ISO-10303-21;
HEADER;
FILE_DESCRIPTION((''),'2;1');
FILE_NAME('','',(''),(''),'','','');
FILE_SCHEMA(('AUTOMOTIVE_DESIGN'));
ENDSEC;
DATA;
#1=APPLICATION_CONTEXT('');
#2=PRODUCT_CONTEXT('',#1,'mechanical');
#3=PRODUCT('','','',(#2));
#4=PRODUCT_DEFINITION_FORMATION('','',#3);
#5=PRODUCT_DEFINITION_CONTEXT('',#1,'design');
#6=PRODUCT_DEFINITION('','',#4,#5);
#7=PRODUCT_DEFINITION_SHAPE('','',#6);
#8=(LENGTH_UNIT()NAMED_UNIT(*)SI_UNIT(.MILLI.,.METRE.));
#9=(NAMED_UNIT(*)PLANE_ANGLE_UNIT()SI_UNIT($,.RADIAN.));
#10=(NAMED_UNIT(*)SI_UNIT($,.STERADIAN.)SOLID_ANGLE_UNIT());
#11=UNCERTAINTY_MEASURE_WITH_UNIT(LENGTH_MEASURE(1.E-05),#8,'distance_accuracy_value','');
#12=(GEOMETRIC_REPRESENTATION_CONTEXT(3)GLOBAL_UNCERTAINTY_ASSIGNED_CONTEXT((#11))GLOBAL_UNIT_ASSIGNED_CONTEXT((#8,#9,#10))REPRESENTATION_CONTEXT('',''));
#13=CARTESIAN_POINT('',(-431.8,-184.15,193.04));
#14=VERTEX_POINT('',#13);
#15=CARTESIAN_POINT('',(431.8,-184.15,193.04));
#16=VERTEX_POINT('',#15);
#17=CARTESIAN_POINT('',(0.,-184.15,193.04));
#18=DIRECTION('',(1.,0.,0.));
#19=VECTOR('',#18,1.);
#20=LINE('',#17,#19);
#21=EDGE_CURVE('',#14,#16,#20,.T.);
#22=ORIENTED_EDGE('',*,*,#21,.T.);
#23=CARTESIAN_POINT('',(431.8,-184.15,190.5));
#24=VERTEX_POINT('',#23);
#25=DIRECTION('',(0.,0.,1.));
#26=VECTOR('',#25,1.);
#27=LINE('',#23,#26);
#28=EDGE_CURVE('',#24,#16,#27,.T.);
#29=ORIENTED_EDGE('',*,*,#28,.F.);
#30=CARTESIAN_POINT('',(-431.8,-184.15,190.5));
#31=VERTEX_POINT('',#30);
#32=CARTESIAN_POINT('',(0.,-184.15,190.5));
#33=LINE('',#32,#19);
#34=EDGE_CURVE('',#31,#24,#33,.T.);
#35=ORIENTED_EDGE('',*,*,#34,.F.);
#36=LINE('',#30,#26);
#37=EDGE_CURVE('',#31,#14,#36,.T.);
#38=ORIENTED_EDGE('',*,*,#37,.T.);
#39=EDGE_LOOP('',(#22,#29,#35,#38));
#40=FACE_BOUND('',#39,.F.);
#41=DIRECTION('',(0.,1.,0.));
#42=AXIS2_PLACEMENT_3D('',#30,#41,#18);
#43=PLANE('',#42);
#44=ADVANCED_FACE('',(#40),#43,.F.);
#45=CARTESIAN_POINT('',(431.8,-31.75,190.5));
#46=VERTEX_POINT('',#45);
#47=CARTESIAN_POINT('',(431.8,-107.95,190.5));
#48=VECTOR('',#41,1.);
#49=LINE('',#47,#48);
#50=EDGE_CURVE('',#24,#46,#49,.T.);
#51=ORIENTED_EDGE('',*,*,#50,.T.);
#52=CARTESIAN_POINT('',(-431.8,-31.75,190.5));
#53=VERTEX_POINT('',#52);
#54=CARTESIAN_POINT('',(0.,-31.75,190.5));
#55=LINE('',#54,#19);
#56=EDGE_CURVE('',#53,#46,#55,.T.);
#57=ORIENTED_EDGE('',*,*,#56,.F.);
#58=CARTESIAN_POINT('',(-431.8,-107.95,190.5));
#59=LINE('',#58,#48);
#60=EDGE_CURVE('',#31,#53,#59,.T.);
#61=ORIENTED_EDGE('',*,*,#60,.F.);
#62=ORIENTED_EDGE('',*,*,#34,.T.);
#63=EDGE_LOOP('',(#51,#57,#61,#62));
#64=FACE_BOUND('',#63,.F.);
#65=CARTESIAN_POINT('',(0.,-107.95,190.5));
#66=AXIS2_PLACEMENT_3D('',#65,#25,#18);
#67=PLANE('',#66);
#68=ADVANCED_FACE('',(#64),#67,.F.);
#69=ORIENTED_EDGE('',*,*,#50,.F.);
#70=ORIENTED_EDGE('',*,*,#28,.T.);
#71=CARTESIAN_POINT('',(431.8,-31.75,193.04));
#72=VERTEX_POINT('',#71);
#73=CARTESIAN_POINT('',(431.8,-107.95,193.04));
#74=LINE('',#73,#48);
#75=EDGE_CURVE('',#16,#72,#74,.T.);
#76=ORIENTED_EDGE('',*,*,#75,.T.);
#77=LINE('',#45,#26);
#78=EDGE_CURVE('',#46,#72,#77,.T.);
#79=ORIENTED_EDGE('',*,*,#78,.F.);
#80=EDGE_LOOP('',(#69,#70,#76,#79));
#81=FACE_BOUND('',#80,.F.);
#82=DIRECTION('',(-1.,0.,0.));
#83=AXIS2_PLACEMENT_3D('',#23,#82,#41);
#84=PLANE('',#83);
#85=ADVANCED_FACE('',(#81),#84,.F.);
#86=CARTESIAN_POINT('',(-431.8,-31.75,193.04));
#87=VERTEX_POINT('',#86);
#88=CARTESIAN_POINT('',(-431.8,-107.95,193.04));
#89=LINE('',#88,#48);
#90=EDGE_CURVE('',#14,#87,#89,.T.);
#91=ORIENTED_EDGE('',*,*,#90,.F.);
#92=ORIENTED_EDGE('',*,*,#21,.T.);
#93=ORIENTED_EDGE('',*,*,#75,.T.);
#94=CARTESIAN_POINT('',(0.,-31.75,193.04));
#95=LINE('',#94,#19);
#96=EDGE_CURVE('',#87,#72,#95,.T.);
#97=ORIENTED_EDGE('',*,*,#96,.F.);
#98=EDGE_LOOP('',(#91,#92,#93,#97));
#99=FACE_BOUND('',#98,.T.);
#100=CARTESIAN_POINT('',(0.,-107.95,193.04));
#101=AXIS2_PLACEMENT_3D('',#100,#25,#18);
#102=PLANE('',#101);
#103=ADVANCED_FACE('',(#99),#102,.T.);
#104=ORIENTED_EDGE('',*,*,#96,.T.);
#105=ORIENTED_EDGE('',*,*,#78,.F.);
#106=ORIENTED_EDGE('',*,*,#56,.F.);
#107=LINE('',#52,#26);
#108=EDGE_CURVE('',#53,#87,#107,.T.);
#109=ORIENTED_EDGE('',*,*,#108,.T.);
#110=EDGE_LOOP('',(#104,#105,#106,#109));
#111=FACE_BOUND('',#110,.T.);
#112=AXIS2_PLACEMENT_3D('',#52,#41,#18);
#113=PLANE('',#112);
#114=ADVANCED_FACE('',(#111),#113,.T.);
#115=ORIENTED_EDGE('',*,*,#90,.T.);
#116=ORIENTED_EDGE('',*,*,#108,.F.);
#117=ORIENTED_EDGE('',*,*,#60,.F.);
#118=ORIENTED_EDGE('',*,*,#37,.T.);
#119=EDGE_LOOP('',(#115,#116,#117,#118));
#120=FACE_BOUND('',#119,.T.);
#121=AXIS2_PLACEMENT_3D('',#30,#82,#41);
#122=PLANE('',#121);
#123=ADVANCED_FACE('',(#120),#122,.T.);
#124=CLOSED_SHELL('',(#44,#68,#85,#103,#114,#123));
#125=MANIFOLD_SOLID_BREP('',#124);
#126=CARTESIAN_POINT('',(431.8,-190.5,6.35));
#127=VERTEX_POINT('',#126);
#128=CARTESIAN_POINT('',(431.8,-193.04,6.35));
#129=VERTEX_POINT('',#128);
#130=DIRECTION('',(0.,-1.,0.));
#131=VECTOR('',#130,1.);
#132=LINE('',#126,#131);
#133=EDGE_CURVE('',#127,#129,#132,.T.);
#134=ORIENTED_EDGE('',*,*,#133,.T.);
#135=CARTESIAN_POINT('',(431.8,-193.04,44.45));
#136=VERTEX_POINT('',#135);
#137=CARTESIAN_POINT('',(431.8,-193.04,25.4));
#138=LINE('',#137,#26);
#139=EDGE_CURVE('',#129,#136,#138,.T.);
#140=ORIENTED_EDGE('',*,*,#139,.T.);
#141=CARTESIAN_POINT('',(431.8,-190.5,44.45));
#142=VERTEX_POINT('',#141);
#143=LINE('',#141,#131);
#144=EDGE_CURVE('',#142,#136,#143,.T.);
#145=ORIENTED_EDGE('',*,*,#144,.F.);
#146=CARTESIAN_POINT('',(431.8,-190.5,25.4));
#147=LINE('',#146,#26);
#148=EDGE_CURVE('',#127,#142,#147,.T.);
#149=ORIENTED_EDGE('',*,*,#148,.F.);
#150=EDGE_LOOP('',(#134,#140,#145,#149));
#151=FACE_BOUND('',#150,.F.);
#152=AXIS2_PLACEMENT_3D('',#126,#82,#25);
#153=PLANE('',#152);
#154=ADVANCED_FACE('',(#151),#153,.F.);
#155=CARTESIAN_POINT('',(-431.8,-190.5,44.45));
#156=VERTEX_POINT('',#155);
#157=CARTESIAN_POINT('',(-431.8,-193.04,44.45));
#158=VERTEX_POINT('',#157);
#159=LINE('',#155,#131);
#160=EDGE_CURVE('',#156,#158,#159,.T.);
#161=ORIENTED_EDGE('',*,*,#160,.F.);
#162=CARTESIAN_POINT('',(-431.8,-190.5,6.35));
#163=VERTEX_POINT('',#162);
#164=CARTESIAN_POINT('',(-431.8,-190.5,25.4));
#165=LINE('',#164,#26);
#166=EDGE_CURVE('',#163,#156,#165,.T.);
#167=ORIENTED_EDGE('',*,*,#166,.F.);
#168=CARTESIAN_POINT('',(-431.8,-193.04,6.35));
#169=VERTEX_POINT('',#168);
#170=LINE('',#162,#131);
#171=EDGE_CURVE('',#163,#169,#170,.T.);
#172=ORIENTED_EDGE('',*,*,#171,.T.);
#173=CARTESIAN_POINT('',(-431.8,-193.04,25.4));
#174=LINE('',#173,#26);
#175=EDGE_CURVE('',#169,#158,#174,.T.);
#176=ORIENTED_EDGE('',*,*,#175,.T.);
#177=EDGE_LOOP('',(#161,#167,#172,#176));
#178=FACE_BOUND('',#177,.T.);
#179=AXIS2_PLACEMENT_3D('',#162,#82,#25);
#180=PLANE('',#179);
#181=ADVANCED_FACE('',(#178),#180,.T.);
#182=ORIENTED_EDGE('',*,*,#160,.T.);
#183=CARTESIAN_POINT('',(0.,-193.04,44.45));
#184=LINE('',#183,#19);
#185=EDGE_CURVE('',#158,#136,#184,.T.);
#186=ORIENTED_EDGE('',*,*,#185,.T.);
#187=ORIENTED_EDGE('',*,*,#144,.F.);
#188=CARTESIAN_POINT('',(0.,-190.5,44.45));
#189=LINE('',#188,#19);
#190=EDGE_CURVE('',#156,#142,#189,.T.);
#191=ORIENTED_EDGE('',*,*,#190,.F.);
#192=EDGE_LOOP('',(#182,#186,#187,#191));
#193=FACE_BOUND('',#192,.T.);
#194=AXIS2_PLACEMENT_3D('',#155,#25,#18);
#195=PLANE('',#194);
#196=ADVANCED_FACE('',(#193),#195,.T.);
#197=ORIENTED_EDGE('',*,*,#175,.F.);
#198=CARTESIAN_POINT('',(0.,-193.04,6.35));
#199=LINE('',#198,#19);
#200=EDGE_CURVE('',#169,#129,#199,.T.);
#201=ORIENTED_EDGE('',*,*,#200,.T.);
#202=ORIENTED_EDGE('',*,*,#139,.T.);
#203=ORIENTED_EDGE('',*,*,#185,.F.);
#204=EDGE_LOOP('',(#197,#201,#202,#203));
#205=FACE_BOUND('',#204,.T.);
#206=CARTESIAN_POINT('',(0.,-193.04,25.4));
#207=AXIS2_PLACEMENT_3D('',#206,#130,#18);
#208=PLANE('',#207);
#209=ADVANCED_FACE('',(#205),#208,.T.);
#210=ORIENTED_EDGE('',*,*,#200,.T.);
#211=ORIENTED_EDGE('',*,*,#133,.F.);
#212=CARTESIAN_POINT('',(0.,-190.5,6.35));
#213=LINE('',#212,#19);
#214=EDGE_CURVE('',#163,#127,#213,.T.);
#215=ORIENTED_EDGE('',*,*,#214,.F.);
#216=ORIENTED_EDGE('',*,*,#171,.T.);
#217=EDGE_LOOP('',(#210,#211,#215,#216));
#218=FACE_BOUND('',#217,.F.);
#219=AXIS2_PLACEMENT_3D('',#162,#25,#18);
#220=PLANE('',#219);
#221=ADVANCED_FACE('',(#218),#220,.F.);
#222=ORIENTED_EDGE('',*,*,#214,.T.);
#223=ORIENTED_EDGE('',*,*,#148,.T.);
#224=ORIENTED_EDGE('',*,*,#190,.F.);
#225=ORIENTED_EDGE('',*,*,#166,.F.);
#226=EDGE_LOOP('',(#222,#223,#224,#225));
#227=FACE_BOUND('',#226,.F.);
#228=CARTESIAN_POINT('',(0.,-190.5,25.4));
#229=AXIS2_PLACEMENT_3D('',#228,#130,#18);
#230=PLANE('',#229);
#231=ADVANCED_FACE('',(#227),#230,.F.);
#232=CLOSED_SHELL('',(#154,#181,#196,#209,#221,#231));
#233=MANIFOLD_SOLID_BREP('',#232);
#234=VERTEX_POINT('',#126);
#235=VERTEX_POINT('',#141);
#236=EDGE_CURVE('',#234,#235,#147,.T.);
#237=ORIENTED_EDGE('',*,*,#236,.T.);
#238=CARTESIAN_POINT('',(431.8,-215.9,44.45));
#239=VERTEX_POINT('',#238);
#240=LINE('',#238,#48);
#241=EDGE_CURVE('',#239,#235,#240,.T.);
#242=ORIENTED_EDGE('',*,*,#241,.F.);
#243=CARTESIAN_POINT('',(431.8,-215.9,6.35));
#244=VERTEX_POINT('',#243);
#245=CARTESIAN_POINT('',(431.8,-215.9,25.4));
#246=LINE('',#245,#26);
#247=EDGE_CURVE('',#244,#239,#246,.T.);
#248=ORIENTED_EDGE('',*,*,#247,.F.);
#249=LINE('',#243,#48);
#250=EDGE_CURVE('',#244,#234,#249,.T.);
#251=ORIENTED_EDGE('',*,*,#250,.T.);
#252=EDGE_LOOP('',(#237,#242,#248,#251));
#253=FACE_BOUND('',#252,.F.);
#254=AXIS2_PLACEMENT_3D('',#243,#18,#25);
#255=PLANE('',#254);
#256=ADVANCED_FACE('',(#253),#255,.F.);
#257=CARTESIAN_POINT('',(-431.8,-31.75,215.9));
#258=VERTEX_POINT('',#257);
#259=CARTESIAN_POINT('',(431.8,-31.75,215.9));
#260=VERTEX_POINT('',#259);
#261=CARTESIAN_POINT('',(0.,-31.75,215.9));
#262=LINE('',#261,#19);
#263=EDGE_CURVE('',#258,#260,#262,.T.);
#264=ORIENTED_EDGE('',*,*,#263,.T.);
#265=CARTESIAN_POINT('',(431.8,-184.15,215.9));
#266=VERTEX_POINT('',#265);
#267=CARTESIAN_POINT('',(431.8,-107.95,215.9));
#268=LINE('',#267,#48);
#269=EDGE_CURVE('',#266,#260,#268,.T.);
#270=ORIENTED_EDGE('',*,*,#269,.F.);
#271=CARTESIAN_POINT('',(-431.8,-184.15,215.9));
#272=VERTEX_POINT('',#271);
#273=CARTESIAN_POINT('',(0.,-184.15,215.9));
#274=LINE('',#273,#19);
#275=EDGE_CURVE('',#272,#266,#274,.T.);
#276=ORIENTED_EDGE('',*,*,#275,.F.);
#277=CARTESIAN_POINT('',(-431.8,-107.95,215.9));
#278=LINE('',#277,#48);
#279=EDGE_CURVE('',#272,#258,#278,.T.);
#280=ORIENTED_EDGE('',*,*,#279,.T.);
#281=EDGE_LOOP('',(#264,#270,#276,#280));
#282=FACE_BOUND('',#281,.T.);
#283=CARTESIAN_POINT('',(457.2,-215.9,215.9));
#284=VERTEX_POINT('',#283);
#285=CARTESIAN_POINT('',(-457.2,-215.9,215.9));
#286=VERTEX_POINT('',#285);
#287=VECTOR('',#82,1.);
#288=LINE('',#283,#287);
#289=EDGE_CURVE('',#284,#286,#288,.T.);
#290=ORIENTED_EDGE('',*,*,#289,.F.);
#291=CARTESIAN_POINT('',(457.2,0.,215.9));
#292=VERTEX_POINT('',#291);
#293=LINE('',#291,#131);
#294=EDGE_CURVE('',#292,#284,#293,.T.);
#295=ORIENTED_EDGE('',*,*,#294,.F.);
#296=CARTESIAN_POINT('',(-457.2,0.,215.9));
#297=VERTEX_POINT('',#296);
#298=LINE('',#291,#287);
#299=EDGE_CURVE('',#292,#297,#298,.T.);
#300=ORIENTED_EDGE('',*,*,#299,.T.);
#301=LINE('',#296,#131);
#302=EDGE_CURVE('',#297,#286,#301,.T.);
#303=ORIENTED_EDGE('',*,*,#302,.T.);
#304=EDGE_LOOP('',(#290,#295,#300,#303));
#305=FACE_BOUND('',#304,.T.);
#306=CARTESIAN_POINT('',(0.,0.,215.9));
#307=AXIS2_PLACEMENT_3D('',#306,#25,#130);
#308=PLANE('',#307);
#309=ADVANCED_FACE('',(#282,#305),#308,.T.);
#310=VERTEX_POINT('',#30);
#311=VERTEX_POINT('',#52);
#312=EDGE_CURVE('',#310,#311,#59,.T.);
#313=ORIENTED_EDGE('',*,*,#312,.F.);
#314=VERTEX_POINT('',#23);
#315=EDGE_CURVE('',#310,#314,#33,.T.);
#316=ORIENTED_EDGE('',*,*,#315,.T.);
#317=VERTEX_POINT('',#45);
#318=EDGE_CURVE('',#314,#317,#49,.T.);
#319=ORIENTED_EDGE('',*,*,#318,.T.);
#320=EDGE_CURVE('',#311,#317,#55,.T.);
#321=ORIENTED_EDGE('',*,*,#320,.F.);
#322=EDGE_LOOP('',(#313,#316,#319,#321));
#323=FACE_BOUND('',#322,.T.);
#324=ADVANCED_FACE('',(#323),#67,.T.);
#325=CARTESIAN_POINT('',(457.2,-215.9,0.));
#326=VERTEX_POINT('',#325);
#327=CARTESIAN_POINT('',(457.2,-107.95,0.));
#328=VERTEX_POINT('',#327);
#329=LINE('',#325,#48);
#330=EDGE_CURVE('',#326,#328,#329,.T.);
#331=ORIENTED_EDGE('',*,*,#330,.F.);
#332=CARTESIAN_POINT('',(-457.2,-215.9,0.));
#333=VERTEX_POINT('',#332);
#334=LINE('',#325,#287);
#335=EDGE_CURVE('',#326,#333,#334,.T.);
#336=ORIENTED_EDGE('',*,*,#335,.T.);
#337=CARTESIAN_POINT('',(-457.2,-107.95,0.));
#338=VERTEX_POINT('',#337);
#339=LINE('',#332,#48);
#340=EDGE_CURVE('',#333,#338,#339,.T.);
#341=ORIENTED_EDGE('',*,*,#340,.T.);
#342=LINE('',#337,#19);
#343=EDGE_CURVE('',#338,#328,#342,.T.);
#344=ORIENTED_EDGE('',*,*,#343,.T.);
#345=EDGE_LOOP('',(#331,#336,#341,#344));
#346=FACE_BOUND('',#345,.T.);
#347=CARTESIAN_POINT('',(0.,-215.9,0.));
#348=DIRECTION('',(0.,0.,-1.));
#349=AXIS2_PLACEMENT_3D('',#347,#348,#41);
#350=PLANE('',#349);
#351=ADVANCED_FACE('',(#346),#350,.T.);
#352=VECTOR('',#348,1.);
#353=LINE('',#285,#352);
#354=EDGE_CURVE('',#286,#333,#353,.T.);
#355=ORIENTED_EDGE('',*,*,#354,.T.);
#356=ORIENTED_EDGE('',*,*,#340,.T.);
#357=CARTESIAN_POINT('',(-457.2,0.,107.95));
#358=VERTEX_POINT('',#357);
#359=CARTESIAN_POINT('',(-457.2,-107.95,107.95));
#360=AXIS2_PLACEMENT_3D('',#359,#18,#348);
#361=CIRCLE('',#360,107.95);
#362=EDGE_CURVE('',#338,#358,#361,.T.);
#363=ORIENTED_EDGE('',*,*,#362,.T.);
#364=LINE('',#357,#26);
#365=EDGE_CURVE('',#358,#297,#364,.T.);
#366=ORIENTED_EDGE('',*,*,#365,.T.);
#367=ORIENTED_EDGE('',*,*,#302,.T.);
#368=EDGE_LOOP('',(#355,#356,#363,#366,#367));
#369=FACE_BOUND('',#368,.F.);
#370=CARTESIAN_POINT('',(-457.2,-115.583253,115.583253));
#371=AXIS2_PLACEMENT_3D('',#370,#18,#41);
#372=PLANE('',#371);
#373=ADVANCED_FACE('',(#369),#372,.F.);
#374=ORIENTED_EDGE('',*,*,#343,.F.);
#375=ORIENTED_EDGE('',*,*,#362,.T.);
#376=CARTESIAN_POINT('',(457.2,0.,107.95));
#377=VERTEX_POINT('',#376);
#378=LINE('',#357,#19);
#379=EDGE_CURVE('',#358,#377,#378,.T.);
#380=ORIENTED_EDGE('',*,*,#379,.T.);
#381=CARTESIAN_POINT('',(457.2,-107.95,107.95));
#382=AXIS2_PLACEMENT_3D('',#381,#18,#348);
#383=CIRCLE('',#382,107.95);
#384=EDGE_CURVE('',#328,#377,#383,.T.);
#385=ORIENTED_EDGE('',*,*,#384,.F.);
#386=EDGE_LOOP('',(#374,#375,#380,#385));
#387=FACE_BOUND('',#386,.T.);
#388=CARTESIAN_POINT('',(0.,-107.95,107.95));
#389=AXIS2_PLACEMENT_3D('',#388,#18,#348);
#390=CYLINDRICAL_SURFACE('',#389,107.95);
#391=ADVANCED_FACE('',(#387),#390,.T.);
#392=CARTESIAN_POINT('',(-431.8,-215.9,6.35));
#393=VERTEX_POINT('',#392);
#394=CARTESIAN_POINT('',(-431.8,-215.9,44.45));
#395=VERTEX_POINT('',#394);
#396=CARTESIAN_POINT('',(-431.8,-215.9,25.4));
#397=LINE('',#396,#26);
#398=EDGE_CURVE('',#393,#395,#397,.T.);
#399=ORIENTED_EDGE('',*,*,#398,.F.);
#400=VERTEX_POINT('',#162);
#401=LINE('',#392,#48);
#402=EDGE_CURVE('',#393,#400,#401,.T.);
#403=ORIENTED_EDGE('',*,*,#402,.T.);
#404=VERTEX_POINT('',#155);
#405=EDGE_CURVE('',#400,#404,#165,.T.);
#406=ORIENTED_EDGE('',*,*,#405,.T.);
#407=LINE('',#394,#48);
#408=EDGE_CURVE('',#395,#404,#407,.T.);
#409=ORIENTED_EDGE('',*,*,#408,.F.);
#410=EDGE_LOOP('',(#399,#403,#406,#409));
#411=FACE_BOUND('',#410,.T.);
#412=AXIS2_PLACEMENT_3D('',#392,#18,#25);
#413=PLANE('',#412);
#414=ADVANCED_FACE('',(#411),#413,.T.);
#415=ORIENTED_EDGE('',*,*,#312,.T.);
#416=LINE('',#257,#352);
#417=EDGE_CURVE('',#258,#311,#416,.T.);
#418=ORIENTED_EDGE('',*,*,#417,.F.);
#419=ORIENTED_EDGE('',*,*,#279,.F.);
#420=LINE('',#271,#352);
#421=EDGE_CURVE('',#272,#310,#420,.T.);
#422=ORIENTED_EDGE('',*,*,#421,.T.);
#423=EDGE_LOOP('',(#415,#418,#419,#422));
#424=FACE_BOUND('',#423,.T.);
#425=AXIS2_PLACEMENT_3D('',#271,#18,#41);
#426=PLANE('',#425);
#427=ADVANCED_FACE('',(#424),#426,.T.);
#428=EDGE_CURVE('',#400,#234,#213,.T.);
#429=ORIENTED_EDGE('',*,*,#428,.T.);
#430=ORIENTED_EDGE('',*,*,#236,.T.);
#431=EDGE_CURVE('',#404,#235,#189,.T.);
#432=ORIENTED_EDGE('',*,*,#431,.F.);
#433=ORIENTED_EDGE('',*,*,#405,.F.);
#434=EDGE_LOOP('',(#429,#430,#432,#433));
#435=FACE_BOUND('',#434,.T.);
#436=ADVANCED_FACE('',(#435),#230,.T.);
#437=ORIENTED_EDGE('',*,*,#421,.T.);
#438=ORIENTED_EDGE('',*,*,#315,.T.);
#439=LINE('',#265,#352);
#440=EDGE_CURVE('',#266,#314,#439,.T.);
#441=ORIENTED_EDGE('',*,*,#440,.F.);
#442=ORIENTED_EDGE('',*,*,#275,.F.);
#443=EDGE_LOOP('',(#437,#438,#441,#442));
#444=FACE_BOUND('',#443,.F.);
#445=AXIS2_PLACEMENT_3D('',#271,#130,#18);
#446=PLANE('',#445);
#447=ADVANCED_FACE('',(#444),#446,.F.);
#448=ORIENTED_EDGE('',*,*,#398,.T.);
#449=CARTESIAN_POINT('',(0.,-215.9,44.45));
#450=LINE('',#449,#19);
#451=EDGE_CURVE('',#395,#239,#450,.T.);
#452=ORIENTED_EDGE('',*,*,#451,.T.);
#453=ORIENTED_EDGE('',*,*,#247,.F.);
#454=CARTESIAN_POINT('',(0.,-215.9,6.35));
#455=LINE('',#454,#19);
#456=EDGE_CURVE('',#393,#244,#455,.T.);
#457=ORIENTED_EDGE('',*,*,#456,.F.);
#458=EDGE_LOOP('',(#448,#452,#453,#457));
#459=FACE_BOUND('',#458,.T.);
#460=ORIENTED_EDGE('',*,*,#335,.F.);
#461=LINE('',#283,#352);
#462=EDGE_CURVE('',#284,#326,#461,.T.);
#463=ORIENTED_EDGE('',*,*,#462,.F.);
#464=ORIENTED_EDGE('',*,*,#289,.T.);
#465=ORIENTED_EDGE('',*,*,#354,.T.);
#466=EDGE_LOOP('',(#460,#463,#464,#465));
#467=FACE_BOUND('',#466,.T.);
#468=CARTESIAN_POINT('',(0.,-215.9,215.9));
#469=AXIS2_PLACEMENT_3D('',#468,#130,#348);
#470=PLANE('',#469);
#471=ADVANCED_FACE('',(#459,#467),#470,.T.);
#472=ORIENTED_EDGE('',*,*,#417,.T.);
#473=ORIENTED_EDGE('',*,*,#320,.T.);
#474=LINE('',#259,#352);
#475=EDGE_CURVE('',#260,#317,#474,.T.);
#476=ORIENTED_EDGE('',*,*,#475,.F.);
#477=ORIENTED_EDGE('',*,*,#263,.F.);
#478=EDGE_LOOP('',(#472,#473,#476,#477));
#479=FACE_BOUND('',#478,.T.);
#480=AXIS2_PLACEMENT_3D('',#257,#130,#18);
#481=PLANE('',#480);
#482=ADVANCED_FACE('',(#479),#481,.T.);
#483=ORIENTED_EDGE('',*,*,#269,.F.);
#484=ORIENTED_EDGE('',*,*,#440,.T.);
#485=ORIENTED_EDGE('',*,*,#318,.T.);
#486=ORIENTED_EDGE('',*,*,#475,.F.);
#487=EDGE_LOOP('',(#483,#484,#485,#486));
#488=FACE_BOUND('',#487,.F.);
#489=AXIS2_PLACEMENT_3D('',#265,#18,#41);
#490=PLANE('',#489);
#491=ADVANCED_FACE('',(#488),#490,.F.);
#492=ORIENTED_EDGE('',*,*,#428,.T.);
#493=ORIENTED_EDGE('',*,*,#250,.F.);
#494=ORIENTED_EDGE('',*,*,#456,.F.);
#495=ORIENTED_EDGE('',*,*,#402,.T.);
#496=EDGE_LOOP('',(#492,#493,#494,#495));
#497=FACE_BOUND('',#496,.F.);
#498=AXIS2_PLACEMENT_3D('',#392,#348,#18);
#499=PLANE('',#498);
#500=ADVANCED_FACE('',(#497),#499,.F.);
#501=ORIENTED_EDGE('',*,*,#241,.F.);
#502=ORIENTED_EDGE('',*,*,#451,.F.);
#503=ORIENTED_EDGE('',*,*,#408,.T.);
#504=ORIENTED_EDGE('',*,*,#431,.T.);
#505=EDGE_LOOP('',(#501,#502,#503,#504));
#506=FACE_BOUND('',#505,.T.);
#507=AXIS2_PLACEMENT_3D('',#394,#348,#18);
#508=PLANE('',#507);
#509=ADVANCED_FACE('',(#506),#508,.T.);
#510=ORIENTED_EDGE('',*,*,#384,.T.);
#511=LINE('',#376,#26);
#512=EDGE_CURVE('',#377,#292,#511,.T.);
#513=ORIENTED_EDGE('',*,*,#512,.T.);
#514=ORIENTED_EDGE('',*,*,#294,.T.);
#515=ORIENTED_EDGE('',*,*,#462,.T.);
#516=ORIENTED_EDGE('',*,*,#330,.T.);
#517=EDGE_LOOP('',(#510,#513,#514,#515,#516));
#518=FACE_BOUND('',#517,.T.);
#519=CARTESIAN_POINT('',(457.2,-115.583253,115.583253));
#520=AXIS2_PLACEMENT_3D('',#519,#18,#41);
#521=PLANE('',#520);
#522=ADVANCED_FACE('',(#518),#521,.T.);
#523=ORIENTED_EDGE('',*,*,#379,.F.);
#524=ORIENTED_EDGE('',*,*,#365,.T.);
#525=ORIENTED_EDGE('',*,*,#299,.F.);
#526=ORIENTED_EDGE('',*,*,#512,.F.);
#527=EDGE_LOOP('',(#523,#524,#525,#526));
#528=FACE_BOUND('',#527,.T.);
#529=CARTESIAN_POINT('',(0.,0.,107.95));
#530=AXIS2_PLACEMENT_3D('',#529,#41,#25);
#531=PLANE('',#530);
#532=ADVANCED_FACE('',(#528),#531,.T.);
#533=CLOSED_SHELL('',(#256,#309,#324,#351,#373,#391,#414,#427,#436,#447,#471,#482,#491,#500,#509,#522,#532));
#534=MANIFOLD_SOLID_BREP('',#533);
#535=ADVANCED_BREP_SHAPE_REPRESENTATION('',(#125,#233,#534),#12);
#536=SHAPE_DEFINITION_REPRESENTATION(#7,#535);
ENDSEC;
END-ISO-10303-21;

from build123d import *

# Parameters (mm, degrees)
F1_DEPTH = 457.2
F2_W     = 863.6
F2_H     = 38.1
F3_DEPTH = 25.4
F4_W     = 863.6
F4_H     = 152.4
F5_DEPTH = 25.4
F6_DEPTH = 2.54
F7_DEPTH = 2.54


with BuildPart() as f1:
    # F0 (on Right) → F1 (new body, symmetric)
    with BuildSketch(Plane.YZ):
        with BuildLine():
            Line((-215.9, 0), (-107.95, 0))
            ThreePointArc((-107.95, 0), (-31.6178229709, 31.6178229709), (0, 107.95))
            Line((0, 107.95), (0, 215.9))
            Line((0, 215.9), (-215.9, 215.9))
            Line((-215.9, 215.9), (-215.9, 0))
        make_face()
    extrude(amount=F1_DEPTH, both=True)

    # F2 (on face) → F3 (cut)
    with BuildSketch(Plane.XZ.offset(215.9)):
        with Locations((0, 25.4)):
            Rectangle(F2_W, F2_H)
    extrude(amount=-F3_DEPTH, mode=Mode.SUBTRACT)

    # F4 (on face) → F5 (cut)
    with BuildSketch(Plane.XY.offset(215.9)):
        with Locations((0, -107.95)):
            Rectangle(F4_W, F4_H)
    extrude(amount=-F5_DEPTH, mode=Mode.SUBTRACT)


with BuildPart() as f6:
    # F6 (new): a face of the model
    f6_faces = [f1.part.faces().sort_by_distance(p)[0] for p in [
        (0, -107.95, 190.5),
    ]]
    extrude(f6_faces, amount=F6_DEPTH)


with BuildPart() as f7:
    # F7 (new): a face of the model
    f7_faces = [f1.part.faces().sort_by_distance(p)[0] for p in [
        (0, -190.5, 25.4),
    ]]
    extrude(f7_faces, amount=F7_DEPTH)


solid = Compound([f1.part, f6.part, f7.part])
